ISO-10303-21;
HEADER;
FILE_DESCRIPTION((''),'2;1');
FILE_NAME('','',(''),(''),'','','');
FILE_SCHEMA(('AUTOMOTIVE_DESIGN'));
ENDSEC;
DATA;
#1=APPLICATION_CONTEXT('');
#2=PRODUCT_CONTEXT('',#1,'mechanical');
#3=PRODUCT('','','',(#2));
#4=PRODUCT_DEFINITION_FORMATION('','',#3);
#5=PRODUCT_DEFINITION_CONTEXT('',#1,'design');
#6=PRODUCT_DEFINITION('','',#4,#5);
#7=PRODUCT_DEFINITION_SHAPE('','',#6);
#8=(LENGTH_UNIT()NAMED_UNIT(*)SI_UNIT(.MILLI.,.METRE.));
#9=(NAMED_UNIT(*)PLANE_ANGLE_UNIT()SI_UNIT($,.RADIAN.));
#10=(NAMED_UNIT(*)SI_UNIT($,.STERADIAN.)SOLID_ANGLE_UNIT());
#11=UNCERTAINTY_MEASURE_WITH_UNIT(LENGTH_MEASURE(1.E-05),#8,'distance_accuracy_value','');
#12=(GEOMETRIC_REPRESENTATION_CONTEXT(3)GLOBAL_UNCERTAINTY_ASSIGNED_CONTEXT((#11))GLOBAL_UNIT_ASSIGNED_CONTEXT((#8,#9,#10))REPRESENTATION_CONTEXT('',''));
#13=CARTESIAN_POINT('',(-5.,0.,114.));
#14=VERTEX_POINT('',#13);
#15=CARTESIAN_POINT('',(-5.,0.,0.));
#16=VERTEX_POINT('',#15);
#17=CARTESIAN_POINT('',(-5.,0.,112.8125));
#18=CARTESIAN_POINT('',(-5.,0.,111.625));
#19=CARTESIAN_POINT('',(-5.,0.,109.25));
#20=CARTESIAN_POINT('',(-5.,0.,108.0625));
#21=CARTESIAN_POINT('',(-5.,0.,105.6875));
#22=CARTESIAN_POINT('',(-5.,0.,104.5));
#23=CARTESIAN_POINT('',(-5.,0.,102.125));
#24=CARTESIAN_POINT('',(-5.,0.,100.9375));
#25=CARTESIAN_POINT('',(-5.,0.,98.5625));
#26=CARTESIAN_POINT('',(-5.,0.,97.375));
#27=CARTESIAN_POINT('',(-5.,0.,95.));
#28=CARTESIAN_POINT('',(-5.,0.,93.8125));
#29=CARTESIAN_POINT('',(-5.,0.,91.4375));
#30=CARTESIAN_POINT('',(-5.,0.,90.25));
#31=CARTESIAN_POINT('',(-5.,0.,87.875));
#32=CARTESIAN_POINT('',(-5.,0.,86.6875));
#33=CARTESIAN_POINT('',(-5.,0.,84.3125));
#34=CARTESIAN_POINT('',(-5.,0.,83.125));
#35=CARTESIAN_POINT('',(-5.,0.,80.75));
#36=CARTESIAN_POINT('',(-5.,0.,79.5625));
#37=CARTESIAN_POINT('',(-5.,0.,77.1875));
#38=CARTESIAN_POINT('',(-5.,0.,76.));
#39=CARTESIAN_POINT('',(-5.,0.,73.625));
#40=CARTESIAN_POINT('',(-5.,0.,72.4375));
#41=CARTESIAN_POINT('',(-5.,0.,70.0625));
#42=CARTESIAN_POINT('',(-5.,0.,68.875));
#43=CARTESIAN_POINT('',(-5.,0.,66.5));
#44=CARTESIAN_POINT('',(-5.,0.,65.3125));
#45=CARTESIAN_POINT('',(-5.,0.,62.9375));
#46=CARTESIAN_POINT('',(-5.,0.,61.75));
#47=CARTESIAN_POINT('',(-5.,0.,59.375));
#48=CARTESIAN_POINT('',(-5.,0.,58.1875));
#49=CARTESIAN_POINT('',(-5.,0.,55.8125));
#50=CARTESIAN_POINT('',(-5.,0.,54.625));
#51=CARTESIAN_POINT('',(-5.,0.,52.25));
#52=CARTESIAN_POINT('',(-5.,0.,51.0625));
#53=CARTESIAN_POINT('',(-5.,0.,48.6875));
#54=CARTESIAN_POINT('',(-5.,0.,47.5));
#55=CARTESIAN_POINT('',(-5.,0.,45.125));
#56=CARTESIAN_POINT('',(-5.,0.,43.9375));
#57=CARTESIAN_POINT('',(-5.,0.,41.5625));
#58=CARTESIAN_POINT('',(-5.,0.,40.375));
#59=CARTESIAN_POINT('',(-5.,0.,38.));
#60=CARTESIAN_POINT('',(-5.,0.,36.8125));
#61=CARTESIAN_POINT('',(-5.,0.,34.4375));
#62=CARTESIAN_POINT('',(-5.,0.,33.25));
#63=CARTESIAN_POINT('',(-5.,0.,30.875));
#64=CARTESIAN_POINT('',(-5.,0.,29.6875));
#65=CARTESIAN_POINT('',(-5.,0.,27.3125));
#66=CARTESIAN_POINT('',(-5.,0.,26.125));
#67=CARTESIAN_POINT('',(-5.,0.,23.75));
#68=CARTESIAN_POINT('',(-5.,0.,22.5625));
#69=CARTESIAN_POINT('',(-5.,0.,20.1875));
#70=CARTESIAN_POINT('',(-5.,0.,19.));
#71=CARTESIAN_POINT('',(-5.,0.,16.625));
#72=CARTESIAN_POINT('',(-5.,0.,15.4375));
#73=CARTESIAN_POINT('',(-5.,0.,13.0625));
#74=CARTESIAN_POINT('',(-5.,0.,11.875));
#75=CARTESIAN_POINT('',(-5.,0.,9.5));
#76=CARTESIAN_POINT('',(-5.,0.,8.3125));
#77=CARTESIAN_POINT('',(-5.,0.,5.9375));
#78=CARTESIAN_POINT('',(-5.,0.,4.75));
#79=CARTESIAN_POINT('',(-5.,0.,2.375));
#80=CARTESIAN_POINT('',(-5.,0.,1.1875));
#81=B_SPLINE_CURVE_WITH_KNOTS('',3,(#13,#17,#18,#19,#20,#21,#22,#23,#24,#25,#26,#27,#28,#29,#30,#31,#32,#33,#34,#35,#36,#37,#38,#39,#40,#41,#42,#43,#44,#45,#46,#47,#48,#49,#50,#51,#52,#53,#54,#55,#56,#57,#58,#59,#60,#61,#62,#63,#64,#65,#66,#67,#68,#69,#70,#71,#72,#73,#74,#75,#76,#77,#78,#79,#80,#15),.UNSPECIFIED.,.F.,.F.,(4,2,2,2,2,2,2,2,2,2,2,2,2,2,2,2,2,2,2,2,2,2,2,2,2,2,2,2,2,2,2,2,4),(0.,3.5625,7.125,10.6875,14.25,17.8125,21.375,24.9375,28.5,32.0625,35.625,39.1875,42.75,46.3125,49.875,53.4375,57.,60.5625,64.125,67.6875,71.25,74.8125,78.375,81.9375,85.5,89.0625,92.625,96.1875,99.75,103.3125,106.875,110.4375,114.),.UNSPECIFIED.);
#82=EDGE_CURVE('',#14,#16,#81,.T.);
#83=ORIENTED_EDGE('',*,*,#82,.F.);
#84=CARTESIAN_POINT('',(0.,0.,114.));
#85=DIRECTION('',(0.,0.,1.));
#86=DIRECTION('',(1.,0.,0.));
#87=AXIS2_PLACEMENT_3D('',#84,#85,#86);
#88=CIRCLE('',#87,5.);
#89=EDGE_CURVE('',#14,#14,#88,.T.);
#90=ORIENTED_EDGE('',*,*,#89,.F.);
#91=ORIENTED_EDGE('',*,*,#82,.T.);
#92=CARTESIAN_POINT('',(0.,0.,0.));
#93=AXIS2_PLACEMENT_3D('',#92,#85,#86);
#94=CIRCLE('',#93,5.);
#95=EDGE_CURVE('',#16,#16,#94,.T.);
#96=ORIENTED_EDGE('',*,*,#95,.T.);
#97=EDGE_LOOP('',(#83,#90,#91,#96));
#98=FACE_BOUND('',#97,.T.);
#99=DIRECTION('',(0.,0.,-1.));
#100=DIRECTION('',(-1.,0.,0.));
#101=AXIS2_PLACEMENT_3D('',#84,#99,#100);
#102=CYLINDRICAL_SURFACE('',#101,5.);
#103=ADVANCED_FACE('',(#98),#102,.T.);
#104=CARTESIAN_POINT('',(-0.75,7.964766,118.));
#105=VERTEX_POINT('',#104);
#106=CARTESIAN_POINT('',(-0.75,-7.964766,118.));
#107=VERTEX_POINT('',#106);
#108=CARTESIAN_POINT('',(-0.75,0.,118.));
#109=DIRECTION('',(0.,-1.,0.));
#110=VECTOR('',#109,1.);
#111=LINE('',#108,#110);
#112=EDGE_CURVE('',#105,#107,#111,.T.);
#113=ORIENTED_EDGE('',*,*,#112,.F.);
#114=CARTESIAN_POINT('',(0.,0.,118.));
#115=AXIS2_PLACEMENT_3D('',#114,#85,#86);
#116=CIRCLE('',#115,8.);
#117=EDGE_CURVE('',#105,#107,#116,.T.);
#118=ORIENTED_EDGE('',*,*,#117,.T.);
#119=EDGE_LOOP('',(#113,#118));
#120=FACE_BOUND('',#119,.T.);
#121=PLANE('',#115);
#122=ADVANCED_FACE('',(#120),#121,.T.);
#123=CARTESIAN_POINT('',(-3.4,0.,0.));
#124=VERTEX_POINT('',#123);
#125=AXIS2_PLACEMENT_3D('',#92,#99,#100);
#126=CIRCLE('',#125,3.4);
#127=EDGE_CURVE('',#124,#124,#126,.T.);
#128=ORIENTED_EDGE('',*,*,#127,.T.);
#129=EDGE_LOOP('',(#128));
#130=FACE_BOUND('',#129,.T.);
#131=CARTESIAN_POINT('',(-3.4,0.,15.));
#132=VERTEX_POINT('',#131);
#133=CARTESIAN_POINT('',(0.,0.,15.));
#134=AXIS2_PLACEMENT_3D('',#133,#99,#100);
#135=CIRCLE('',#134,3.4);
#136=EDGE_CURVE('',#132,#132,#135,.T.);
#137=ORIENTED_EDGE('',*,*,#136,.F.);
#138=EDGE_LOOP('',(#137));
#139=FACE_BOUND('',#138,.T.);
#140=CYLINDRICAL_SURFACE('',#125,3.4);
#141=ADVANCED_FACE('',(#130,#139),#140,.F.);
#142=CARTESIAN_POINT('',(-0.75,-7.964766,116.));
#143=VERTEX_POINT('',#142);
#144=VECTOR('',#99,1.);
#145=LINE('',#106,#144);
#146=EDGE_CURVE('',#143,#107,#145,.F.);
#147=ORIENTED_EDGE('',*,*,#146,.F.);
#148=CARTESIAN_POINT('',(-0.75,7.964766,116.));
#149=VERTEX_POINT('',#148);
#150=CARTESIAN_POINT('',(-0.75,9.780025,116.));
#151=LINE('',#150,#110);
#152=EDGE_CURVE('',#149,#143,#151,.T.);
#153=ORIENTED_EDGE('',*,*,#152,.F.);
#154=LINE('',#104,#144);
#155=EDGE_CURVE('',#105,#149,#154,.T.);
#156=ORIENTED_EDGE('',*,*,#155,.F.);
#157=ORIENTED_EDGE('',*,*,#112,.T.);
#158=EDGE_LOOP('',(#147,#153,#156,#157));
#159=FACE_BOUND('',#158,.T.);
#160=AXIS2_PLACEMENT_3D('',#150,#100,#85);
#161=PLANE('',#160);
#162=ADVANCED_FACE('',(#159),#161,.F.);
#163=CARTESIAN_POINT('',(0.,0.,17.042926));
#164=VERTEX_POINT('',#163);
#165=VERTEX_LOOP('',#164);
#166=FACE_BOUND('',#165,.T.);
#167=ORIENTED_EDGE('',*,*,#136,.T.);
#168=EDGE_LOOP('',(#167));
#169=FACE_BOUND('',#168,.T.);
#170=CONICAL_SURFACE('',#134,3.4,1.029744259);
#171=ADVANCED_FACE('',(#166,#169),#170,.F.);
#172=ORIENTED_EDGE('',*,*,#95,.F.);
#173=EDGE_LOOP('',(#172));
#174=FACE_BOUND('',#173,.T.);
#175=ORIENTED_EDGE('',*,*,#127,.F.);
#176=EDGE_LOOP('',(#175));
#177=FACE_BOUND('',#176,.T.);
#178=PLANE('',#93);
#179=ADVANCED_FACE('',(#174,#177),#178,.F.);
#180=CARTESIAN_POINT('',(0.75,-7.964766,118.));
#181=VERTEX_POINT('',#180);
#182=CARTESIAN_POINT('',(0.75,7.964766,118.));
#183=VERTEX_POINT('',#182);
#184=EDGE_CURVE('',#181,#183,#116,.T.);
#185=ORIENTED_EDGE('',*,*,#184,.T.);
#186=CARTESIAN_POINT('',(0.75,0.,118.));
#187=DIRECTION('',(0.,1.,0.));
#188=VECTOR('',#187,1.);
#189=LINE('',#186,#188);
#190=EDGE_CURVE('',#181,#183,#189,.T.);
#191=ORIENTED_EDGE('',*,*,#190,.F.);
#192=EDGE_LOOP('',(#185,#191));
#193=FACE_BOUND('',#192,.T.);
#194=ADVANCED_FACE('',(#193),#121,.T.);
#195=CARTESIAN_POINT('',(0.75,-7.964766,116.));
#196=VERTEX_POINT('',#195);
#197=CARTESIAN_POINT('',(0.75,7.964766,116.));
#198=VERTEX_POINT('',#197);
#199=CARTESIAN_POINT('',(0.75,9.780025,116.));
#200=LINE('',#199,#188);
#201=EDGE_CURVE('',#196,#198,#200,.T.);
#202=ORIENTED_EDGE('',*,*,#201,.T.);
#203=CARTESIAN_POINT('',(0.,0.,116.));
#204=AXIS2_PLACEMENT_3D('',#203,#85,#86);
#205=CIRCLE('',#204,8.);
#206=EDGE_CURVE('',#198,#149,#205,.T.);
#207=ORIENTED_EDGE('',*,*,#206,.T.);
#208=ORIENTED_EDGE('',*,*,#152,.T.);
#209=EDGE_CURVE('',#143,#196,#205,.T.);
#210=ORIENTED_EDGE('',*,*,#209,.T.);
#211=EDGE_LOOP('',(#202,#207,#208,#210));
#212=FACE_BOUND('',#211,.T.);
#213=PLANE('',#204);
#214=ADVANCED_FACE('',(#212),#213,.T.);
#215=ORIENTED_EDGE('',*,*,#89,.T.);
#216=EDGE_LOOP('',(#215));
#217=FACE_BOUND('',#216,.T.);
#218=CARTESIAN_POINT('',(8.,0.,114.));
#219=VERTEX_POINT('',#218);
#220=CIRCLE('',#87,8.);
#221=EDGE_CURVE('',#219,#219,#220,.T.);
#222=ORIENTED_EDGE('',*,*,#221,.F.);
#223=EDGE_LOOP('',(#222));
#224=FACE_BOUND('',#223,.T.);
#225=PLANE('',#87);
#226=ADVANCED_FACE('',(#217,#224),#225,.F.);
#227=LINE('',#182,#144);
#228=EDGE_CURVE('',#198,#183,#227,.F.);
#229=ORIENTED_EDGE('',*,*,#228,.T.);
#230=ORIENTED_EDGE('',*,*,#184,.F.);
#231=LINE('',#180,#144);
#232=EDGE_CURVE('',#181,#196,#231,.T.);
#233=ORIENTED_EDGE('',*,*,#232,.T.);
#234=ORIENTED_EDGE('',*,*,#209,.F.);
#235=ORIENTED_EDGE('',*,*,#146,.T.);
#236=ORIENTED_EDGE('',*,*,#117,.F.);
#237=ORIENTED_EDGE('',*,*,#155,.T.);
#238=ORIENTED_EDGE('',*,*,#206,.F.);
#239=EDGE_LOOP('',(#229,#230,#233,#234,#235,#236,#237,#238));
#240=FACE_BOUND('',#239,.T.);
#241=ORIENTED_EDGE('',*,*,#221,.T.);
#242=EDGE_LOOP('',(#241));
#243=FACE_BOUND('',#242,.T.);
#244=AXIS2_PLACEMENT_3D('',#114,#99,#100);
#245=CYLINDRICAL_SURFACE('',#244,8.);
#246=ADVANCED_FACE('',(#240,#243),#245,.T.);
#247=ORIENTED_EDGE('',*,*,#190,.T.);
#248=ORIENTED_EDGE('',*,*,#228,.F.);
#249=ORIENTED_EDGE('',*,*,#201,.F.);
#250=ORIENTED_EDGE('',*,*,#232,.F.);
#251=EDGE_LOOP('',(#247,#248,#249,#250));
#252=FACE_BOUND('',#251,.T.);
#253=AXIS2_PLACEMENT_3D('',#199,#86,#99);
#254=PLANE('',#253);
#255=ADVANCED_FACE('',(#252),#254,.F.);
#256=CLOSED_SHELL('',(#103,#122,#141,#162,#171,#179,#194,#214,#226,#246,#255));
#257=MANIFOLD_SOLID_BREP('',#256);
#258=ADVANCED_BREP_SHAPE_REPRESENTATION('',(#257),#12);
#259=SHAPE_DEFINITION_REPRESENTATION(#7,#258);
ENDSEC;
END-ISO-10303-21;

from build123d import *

# Parameters (mm, degrees)
SKETCH_1_R             = 5
EXTRUDE_1_DEPTH        = 114
SKETCH_2_R             = 8
EXTRUDE_2_DEPTH        = 4
SKETCH_4_W             = 1.5
SKETCH_4_H             = 19.56005024
CUT_EXTRUDE_1_DEPTH    = 2
HOLE_WIZARD_M8_1_D     = 6.8
HOLE_WIZARD_M8_1_DEPTH = 15
HOLE_WIZARD_M8_1_TIP   = 2.042926105


with BuildPart() as part:
    # 草图1 → 凸台-拉伸1 (new body)
    with BuildSketch(Plane.XY):
        with Locations(Location((0, 0, 0), (0, 0, 180))):
            Circle(SKETCH_1_R)
    extrude(amount=EXTRUDE_1_DEPTH)

    # 草图2 → 凸台-拉伸2 (add)
    with BuildSketch(Plane.XY.offset(114)):
        Circle(SKETCH_2_R)
    extrude(amount=EXTRUDE_2_DEPTH)

    # 草图4 → 切除-拉伸1 (cut)
    with BuildSketch(Plane.XY.offset(118)):
        Rectangle(SKETCH_4_W, SKETCH_4_H)
    extrude(amount=-CUT_EXTRUDE_1_DEPTH, mode=Mode.SUBTRACT)

    # M8 螺纹孔的螺纹孔钻头1
    with Locations(Plane(origin=(0, 0, 0), x_dir=(-1, 0, 0), z_dir=(0, 0, -1))):
        with Locations((0, 0)):
            Hole(HOLE_WIZARD_M8_1_D / 2, depth=HOLE_WIZARD_M8_1_DEPTH)
            with Locations((0, 0, -(HOLE_WIZARD_M8_1_DEPTH + HOLE_WIZARD_M8_1_TIP / 2))):  # 118° drill point
                Cone(0, HOLE_WIZARD_M8_1_D / 2, HOLE_WIZARD_M8_1_TIP, mode=Mode.SUBTRACT)


solid = part.part
